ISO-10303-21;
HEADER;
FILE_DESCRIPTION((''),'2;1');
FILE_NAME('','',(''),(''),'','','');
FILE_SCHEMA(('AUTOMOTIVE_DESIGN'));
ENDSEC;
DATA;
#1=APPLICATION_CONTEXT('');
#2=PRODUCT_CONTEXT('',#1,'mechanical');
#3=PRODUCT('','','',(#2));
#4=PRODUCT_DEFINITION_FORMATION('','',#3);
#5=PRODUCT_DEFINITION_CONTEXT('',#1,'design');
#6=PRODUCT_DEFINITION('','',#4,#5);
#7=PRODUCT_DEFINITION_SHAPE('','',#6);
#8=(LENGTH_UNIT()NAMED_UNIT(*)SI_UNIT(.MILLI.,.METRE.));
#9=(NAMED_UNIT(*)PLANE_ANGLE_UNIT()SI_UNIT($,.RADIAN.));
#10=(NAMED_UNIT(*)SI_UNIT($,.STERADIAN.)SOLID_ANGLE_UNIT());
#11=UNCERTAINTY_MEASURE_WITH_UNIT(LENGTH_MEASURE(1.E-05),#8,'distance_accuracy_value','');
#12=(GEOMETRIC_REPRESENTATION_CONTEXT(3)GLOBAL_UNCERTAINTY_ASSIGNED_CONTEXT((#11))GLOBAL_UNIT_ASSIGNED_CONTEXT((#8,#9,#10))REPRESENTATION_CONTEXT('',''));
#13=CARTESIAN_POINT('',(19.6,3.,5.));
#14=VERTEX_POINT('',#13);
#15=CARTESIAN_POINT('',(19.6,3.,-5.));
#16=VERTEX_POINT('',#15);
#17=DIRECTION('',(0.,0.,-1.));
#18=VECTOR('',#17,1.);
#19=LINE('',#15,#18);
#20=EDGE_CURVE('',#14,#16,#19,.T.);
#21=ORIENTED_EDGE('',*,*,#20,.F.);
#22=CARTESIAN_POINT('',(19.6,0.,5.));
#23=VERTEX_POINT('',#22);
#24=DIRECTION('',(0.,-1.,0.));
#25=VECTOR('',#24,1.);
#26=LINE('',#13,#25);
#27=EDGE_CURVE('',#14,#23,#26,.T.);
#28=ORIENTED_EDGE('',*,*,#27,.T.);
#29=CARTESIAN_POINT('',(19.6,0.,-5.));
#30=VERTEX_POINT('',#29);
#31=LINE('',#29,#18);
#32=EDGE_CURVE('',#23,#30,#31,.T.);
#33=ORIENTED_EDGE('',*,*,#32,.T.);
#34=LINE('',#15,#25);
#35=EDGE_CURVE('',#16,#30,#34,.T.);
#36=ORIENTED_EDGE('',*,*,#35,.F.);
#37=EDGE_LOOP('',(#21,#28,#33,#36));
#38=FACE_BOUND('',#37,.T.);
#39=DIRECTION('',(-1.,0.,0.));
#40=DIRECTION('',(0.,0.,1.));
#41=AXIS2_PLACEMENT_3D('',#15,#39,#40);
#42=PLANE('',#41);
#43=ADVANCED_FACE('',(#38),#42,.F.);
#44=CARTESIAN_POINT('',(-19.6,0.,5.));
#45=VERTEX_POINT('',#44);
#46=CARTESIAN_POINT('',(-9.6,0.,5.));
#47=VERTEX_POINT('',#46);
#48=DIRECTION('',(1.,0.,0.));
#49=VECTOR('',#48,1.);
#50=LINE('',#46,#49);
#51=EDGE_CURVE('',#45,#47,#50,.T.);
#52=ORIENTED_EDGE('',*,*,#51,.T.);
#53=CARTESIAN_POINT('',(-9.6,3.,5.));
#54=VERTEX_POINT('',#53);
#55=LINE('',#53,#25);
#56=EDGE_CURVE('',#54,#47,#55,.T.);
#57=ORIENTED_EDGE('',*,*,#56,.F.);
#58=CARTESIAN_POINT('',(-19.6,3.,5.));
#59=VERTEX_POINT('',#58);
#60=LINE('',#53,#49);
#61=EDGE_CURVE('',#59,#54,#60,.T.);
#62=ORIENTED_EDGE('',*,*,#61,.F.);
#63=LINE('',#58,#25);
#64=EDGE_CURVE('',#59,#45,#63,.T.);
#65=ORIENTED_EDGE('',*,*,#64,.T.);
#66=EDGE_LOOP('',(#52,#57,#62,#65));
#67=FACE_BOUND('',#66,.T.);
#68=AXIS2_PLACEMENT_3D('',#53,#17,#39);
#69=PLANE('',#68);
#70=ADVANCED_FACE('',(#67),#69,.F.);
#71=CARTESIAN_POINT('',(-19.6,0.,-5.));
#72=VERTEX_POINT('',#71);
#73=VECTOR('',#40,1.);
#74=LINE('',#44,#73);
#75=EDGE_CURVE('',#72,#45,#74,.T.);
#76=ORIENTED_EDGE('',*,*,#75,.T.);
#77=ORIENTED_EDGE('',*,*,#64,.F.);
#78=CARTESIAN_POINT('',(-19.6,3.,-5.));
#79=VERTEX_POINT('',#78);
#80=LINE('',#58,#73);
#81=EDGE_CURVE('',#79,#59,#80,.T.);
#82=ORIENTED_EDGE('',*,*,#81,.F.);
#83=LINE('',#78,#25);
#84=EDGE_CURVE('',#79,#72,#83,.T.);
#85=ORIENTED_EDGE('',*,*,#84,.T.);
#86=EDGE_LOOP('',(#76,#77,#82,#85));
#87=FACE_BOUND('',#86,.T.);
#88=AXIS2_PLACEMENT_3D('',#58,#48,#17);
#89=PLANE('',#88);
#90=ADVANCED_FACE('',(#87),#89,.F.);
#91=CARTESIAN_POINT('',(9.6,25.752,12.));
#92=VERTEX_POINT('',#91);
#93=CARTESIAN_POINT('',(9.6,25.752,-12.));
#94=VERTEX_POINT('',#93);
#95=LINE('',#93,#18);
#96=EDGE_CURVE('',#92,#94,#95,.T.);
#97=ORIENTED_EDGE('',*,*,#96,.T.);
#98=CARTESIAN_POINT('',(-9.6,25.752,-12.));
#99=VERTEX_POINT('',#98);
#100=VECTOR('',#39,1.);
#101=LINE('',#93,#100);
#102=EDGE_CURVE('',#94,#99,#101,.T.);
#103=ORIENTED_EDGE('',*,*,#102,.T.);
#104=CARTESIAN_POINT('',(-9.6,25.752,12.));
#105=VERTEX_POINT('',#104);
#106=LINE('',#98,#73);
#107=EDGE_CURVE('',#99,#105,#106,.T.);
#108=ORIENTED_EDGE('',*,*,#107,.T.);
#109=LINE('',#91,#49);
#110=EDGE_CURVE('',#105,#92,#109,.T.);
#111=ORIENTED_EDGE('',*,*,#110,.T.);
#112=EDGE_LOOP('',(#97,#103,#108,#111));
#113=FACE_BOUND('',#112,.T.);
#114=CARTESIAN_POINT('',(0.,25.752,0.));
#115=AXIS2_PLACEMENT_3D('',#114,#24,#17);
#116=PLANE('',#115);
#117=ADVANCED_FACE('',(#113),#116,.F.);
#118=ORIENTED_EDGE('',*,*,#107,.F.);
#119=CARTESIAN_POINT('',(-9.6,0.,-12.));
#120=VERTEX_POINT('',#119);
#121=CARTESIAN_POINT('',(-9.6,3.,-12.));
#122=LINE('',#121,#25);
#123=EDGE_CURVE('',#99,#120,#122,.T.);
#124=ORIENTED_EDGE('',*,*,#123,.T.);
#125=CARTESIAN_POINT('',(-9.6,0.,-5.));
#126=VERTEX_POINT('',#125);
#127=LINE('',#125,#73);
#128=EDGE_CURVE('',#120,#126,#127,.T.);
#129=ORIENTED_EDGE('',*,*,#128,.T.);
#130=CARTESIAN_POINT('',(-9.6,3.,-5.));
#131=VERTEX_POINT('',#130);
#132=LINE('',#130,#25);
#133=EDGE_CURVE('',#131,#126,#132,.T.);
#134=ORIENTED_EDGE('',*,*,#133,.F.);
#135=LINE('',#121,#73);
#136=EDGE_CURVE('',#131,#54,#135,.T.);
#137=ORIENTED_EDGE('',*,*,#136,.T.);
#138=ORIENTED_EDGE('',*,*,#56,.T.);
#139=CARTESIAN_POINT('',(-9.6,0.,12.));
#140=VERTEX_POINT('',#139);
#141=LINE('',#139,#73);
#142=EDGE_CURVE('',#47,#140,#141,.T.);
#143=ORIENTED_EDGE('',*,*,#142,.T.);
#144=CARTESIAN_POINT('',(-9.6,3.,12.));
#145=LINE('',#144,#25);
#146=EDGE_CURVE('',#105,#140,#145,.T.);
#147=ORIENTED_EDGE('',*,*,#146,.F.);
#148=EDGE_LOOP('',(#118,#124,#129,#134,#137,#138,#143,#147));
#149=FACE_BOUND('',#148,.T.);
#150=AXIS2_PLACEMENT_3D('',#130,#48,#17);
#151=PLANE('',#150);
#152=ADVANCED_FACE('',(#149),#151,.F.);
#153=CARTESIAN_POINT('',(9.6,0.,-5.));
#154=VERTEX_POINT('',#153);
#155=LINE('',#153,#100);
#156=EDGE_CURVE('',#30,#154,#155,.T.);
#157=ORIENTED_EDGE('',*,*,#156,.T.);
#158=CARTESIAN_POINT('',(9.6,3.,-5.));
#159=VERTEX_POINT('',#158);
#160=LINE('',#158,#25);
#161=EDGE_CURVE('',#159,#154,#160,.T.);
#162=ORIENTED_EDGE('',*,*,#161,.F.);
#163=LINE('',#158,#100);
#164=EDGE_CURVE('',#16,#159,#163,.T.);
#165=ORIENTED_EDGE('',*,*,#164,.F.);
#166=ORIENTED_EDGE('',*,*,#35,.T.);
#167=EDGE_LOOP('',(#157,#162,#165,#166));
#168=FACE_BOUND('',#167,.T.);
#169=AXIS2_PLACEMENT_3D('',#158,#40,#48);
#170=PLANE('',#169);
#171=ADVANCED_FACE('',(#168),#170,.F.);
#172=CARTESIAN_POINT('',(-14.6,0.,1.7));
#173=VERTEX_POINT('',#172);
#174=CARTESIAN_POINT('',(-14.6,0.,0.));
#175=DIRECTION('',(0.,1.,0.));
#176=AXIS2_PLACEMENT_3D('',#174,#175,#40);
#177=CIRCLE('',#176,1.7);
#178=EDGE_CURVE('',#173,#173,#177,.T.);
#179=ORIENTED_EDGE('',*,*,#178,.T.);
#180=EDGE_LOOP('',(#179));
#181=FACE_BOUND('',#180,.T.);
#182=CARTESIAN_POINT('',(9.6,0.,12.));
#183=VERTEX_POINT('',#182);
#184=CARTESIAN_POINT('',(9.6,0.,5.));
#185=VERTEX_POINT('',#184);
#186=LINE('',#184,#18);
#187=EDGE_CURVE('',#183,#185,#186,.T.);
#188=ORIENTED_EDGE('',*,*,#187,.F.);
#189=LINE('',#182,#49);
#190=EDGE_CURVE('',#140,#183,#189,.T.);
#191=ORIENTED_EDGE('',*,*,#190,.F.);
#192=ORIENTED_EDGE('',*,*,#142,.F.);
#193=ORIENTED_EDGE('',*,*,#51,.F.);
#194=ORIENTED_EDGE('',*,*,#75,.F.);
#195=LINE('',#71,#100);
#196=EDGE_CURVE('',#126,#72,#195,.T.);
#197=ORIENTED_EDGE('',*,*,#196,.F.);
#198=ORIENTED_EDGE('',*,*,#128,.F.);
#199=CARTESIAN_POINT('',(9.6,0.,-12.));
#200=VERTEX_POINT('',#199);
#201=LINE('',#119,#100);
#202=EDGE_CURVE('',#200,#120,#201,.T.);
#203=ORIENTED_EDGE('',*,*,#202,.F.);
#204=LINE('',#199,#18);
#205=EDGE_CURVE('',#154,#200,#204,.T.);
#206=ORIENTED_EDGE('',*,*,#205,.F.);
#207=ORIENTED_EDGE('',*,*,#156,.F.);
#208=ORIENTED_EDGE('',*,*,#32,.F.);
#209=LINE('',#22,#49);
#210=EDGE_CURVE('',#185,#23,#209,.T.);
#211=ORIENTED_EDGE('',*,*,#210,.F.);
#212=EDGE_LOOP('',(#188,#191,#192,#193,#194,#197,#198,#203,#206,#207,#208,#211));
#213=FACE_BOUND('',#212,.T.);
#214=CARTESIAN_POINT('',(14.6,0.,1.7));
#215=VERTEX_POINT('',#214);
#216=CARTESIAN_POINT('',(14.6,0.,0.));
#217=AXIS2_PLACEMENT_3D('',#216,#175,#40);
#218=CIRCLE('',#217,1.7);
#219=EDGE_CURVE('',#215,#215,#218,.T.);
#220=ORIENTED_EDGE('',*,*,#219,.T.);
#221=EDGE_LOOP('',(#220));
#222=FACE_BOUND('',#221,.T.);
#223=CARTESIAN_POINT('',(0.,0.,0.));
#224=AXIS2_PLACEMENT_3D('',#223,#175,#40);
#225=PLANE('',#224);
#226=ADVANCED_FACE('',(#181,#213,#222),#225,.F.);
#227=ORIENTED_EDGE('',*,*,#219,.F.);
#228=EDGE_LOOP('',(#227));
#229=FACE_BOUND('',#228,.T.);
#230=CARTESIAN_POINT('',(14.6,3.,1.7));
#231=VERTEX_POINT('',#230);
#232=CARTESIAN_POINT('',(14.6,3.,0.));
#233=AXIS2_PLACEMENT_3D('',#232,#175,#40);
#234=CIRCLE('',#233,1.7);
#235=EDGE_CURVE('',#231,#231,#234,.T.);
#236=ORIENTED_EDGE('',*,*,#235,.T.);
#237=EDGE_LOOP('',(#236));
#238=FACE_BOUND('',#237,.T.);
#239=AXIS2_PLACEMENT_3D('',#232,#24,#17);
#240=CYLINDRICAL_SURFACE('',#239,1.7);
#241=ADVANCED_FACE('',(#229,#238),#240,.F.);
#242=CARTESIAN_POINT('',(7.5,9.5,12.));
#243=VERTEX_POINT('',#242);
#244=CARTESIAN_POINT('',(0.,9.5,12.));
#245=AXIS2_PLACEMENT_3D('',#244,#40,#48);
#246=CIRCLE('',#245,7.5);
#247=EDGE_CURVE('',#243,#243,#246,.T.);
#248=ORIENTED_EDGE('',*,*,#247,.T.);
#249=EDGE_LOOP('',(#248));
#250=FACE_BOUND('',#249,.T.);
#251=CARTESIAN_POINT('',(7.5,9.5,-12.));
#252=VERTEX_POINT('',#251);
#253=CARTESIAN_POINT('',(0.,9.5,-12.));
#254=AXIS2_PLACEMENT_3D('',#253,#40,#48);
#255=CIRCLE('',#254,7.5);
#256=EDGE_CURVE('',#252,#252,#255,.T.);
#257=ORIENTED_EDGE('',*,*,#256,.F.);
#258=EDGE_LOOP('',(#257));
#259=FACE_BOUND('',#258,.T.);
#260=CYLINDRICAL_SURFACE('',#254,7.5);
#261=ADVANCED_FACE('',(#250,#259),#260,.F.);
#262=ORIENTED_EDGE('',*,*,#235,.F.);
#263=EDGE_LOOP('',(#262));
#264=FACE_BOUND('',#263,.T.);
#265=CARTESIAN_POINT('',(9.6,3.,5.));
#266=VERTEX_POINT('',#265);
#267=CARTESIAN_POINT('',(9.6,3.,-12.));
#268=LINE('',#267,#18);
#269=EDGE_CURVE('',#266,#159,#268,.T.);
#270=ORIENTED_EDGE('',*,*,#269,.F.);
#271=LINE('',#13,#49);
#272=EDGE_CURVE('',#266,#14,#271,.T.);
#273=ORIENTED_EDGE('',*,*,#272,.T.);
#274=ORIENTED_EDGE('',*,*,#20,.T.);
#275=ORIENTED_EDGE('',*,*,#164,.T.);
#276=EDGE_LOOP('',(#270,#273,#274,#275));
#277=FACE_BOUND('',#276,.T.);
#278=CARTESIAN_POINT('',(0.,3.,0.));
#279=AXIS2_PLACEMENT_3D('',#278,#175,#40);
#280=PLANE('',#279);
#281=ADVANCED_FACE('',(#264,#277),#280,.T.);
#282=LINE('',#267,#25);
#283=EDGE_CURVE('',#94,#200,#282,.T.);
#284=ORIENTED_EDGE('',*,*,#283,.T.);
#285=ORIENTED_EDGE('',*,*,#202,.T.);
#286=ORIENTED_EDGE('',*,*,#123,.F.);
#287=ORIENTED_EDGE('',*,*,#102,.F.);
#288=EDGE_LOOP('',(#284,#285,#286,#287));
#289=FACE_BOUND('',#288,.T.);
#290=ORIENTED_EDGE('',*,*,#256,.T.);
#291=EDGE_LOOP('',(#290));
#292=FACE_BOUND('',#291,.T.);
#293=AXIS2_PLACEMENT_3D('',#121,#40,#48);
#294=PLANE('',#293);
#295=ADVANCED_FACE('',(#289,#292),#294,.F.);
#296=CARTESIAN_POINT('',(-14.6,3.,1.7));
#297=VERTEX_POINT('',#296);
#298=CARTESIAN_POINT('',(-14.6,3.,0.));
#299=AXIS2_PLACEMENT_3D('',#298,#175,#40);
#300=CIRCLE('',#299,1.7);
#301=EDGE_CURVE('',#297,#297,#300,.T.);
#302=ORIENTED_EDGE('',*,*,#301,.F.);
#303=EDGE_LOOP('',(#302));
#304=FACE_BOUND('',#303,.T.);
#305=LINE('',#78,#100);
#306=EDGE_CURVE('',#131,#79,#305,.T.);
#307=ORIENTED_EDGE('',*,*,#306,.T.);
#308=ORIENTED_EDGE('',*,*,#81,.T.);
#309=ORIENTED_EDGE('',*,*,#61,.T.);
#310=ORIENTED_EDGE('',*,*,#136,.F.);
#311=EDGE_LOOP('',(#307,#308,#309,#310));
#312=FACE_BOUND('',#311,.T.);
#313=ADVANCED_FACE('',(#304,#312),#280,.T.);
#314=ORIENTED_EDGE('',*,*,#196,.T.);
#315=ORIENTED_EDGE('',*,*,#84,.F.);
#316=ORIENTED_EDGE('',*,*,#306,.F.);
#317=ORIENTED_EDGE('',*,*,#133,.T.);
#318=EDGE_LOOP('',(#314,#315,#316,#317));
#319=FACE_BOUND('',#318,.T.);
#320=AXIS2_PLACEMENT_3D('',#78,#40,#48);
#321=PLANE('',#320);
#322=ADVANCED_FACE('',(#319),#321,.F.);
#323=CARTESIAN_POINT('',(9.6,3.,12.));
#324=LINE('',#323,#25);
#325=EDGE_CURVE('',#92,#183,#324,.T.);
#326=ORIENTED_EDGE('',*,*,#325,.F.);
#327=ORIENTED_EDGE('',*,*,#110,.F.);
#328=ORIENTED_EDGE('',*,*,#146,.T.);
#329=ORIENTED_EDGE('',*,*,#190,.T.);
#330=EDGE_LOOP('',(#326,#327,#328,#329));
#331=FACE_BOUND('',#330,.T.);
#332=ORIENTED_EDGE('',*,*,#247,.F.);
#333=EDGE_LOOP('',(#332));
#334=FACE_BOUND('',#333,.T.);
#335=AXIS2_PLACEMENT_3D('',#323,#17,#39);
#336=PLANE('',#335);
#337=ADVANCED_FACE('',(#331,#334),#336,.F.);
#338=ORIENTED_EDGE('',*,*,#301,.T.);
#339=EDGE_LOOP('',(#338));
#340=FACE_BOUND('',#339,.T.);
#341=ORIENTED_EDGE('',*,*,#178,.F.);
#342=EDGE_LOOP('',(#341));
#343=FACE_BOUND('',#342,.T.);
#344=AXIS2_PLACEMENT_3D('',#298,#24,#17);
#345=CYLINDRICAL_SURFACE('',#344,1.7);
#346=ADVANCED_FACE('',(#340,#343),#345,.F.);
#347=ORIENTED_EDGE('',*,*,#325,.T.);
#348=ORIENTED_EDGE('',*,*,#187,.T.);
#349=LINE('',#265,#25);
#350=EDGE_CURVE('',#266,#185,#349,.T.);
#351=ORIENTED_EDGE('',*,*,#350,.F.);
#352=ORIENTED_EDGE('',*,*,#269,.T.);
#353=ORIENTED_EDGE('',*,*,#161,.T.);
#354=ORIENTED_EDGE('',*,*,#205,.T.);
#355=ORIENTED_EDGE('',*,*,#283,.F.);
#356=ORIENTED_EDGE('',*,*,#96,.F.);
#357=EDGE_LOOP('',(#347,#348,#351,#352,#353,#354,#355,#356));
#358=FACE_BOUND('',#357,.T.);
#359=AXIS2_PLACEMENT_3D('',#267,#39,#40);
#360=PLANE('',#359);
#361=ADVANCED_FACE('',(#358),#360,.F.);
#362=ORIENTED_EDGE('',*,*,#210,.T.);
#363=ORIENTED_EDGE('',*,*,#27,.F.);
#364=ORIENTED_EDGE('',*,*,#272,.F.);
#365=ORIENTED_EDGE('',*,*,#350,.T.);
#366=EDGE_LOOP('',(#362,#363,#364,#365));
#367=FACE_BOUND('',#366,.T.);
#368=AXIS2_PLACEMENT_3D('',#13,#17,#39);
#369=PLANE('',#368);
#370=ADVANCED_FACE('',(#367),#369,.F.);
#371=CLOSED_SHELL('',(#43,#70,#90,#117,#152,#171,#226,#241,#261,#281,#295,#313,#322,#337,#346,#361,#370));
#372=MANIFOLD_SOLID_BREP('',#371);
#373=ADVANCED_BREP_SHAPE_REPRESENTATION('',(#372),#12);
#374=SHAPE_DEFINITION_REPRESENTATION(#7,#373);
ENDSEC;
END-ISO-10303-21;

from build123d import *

# Parameters (mm, degrees)
SKETCH1_R           = 1.7
BOSS_EXTRUDE1_DEPTH = 3
SKETCH2_W           = 19.2
SKETCH2_H           = 24
BOSS_EXTRUDE2_DEPTH = 22.752
SKETCH3_R           = 7.5
CUT_EXTRUDE1_DEPTH  = 41.290513821


with BuildPart() as part:
    # Sketch1 → Boss-Extrude1 (new body)
    with BuildSketch(Plane(origin=(0, 0, 0), x_dir=(1, 0, 0), z_dir=(0, 1, 0))):
        Polygon((-9.6, 5), (-9.6, 12), (9.6, 12), (9.6, 5), (19.6, 5), (19.6, -5), (9.6, -5), (9.6, -12), (-9.6, -12), (-9.6, -5), (-19.6, -5), (-19.6, 5), align=None)
        with Locations(Location((-14.6, 0, 0), (0, 0, 270))):
            Circle(SKETCH1_R, mode=Mode.SUBTRACT)
        with Locations(Location((14.6, 0, 0), (0, 0, 270))):
            Circle(SKETCH1_R, mode=Mode.SUBTRACT)
    extrude(amount=BOSS_EXTRUDE1_DEPTH)

    # Sketch2 → Boss-Extrude2 (add)
    with BuildSketch(Plane(origin=(0, 3, 0), x_dir=(1, 0, 0), z_dir=(0, 1, 0))):
        Rectangle(SKETCH2_W, SKETCH2_H)
    extrude(amount=BOSS_EXTRUDE2_DEPTH)

    # Sketch3 → Cut-Extrude1 (cut, through all)
    with BuildSketch(Plane.XY.offset(12)):
        with Locations((0, 9.5)):
            Circle(SKETCH3_R)
    extrude(amount=-CUT_EXTRUDE1_DEPTH, mode=Mode.SUBTRACT)


solid = part.part
